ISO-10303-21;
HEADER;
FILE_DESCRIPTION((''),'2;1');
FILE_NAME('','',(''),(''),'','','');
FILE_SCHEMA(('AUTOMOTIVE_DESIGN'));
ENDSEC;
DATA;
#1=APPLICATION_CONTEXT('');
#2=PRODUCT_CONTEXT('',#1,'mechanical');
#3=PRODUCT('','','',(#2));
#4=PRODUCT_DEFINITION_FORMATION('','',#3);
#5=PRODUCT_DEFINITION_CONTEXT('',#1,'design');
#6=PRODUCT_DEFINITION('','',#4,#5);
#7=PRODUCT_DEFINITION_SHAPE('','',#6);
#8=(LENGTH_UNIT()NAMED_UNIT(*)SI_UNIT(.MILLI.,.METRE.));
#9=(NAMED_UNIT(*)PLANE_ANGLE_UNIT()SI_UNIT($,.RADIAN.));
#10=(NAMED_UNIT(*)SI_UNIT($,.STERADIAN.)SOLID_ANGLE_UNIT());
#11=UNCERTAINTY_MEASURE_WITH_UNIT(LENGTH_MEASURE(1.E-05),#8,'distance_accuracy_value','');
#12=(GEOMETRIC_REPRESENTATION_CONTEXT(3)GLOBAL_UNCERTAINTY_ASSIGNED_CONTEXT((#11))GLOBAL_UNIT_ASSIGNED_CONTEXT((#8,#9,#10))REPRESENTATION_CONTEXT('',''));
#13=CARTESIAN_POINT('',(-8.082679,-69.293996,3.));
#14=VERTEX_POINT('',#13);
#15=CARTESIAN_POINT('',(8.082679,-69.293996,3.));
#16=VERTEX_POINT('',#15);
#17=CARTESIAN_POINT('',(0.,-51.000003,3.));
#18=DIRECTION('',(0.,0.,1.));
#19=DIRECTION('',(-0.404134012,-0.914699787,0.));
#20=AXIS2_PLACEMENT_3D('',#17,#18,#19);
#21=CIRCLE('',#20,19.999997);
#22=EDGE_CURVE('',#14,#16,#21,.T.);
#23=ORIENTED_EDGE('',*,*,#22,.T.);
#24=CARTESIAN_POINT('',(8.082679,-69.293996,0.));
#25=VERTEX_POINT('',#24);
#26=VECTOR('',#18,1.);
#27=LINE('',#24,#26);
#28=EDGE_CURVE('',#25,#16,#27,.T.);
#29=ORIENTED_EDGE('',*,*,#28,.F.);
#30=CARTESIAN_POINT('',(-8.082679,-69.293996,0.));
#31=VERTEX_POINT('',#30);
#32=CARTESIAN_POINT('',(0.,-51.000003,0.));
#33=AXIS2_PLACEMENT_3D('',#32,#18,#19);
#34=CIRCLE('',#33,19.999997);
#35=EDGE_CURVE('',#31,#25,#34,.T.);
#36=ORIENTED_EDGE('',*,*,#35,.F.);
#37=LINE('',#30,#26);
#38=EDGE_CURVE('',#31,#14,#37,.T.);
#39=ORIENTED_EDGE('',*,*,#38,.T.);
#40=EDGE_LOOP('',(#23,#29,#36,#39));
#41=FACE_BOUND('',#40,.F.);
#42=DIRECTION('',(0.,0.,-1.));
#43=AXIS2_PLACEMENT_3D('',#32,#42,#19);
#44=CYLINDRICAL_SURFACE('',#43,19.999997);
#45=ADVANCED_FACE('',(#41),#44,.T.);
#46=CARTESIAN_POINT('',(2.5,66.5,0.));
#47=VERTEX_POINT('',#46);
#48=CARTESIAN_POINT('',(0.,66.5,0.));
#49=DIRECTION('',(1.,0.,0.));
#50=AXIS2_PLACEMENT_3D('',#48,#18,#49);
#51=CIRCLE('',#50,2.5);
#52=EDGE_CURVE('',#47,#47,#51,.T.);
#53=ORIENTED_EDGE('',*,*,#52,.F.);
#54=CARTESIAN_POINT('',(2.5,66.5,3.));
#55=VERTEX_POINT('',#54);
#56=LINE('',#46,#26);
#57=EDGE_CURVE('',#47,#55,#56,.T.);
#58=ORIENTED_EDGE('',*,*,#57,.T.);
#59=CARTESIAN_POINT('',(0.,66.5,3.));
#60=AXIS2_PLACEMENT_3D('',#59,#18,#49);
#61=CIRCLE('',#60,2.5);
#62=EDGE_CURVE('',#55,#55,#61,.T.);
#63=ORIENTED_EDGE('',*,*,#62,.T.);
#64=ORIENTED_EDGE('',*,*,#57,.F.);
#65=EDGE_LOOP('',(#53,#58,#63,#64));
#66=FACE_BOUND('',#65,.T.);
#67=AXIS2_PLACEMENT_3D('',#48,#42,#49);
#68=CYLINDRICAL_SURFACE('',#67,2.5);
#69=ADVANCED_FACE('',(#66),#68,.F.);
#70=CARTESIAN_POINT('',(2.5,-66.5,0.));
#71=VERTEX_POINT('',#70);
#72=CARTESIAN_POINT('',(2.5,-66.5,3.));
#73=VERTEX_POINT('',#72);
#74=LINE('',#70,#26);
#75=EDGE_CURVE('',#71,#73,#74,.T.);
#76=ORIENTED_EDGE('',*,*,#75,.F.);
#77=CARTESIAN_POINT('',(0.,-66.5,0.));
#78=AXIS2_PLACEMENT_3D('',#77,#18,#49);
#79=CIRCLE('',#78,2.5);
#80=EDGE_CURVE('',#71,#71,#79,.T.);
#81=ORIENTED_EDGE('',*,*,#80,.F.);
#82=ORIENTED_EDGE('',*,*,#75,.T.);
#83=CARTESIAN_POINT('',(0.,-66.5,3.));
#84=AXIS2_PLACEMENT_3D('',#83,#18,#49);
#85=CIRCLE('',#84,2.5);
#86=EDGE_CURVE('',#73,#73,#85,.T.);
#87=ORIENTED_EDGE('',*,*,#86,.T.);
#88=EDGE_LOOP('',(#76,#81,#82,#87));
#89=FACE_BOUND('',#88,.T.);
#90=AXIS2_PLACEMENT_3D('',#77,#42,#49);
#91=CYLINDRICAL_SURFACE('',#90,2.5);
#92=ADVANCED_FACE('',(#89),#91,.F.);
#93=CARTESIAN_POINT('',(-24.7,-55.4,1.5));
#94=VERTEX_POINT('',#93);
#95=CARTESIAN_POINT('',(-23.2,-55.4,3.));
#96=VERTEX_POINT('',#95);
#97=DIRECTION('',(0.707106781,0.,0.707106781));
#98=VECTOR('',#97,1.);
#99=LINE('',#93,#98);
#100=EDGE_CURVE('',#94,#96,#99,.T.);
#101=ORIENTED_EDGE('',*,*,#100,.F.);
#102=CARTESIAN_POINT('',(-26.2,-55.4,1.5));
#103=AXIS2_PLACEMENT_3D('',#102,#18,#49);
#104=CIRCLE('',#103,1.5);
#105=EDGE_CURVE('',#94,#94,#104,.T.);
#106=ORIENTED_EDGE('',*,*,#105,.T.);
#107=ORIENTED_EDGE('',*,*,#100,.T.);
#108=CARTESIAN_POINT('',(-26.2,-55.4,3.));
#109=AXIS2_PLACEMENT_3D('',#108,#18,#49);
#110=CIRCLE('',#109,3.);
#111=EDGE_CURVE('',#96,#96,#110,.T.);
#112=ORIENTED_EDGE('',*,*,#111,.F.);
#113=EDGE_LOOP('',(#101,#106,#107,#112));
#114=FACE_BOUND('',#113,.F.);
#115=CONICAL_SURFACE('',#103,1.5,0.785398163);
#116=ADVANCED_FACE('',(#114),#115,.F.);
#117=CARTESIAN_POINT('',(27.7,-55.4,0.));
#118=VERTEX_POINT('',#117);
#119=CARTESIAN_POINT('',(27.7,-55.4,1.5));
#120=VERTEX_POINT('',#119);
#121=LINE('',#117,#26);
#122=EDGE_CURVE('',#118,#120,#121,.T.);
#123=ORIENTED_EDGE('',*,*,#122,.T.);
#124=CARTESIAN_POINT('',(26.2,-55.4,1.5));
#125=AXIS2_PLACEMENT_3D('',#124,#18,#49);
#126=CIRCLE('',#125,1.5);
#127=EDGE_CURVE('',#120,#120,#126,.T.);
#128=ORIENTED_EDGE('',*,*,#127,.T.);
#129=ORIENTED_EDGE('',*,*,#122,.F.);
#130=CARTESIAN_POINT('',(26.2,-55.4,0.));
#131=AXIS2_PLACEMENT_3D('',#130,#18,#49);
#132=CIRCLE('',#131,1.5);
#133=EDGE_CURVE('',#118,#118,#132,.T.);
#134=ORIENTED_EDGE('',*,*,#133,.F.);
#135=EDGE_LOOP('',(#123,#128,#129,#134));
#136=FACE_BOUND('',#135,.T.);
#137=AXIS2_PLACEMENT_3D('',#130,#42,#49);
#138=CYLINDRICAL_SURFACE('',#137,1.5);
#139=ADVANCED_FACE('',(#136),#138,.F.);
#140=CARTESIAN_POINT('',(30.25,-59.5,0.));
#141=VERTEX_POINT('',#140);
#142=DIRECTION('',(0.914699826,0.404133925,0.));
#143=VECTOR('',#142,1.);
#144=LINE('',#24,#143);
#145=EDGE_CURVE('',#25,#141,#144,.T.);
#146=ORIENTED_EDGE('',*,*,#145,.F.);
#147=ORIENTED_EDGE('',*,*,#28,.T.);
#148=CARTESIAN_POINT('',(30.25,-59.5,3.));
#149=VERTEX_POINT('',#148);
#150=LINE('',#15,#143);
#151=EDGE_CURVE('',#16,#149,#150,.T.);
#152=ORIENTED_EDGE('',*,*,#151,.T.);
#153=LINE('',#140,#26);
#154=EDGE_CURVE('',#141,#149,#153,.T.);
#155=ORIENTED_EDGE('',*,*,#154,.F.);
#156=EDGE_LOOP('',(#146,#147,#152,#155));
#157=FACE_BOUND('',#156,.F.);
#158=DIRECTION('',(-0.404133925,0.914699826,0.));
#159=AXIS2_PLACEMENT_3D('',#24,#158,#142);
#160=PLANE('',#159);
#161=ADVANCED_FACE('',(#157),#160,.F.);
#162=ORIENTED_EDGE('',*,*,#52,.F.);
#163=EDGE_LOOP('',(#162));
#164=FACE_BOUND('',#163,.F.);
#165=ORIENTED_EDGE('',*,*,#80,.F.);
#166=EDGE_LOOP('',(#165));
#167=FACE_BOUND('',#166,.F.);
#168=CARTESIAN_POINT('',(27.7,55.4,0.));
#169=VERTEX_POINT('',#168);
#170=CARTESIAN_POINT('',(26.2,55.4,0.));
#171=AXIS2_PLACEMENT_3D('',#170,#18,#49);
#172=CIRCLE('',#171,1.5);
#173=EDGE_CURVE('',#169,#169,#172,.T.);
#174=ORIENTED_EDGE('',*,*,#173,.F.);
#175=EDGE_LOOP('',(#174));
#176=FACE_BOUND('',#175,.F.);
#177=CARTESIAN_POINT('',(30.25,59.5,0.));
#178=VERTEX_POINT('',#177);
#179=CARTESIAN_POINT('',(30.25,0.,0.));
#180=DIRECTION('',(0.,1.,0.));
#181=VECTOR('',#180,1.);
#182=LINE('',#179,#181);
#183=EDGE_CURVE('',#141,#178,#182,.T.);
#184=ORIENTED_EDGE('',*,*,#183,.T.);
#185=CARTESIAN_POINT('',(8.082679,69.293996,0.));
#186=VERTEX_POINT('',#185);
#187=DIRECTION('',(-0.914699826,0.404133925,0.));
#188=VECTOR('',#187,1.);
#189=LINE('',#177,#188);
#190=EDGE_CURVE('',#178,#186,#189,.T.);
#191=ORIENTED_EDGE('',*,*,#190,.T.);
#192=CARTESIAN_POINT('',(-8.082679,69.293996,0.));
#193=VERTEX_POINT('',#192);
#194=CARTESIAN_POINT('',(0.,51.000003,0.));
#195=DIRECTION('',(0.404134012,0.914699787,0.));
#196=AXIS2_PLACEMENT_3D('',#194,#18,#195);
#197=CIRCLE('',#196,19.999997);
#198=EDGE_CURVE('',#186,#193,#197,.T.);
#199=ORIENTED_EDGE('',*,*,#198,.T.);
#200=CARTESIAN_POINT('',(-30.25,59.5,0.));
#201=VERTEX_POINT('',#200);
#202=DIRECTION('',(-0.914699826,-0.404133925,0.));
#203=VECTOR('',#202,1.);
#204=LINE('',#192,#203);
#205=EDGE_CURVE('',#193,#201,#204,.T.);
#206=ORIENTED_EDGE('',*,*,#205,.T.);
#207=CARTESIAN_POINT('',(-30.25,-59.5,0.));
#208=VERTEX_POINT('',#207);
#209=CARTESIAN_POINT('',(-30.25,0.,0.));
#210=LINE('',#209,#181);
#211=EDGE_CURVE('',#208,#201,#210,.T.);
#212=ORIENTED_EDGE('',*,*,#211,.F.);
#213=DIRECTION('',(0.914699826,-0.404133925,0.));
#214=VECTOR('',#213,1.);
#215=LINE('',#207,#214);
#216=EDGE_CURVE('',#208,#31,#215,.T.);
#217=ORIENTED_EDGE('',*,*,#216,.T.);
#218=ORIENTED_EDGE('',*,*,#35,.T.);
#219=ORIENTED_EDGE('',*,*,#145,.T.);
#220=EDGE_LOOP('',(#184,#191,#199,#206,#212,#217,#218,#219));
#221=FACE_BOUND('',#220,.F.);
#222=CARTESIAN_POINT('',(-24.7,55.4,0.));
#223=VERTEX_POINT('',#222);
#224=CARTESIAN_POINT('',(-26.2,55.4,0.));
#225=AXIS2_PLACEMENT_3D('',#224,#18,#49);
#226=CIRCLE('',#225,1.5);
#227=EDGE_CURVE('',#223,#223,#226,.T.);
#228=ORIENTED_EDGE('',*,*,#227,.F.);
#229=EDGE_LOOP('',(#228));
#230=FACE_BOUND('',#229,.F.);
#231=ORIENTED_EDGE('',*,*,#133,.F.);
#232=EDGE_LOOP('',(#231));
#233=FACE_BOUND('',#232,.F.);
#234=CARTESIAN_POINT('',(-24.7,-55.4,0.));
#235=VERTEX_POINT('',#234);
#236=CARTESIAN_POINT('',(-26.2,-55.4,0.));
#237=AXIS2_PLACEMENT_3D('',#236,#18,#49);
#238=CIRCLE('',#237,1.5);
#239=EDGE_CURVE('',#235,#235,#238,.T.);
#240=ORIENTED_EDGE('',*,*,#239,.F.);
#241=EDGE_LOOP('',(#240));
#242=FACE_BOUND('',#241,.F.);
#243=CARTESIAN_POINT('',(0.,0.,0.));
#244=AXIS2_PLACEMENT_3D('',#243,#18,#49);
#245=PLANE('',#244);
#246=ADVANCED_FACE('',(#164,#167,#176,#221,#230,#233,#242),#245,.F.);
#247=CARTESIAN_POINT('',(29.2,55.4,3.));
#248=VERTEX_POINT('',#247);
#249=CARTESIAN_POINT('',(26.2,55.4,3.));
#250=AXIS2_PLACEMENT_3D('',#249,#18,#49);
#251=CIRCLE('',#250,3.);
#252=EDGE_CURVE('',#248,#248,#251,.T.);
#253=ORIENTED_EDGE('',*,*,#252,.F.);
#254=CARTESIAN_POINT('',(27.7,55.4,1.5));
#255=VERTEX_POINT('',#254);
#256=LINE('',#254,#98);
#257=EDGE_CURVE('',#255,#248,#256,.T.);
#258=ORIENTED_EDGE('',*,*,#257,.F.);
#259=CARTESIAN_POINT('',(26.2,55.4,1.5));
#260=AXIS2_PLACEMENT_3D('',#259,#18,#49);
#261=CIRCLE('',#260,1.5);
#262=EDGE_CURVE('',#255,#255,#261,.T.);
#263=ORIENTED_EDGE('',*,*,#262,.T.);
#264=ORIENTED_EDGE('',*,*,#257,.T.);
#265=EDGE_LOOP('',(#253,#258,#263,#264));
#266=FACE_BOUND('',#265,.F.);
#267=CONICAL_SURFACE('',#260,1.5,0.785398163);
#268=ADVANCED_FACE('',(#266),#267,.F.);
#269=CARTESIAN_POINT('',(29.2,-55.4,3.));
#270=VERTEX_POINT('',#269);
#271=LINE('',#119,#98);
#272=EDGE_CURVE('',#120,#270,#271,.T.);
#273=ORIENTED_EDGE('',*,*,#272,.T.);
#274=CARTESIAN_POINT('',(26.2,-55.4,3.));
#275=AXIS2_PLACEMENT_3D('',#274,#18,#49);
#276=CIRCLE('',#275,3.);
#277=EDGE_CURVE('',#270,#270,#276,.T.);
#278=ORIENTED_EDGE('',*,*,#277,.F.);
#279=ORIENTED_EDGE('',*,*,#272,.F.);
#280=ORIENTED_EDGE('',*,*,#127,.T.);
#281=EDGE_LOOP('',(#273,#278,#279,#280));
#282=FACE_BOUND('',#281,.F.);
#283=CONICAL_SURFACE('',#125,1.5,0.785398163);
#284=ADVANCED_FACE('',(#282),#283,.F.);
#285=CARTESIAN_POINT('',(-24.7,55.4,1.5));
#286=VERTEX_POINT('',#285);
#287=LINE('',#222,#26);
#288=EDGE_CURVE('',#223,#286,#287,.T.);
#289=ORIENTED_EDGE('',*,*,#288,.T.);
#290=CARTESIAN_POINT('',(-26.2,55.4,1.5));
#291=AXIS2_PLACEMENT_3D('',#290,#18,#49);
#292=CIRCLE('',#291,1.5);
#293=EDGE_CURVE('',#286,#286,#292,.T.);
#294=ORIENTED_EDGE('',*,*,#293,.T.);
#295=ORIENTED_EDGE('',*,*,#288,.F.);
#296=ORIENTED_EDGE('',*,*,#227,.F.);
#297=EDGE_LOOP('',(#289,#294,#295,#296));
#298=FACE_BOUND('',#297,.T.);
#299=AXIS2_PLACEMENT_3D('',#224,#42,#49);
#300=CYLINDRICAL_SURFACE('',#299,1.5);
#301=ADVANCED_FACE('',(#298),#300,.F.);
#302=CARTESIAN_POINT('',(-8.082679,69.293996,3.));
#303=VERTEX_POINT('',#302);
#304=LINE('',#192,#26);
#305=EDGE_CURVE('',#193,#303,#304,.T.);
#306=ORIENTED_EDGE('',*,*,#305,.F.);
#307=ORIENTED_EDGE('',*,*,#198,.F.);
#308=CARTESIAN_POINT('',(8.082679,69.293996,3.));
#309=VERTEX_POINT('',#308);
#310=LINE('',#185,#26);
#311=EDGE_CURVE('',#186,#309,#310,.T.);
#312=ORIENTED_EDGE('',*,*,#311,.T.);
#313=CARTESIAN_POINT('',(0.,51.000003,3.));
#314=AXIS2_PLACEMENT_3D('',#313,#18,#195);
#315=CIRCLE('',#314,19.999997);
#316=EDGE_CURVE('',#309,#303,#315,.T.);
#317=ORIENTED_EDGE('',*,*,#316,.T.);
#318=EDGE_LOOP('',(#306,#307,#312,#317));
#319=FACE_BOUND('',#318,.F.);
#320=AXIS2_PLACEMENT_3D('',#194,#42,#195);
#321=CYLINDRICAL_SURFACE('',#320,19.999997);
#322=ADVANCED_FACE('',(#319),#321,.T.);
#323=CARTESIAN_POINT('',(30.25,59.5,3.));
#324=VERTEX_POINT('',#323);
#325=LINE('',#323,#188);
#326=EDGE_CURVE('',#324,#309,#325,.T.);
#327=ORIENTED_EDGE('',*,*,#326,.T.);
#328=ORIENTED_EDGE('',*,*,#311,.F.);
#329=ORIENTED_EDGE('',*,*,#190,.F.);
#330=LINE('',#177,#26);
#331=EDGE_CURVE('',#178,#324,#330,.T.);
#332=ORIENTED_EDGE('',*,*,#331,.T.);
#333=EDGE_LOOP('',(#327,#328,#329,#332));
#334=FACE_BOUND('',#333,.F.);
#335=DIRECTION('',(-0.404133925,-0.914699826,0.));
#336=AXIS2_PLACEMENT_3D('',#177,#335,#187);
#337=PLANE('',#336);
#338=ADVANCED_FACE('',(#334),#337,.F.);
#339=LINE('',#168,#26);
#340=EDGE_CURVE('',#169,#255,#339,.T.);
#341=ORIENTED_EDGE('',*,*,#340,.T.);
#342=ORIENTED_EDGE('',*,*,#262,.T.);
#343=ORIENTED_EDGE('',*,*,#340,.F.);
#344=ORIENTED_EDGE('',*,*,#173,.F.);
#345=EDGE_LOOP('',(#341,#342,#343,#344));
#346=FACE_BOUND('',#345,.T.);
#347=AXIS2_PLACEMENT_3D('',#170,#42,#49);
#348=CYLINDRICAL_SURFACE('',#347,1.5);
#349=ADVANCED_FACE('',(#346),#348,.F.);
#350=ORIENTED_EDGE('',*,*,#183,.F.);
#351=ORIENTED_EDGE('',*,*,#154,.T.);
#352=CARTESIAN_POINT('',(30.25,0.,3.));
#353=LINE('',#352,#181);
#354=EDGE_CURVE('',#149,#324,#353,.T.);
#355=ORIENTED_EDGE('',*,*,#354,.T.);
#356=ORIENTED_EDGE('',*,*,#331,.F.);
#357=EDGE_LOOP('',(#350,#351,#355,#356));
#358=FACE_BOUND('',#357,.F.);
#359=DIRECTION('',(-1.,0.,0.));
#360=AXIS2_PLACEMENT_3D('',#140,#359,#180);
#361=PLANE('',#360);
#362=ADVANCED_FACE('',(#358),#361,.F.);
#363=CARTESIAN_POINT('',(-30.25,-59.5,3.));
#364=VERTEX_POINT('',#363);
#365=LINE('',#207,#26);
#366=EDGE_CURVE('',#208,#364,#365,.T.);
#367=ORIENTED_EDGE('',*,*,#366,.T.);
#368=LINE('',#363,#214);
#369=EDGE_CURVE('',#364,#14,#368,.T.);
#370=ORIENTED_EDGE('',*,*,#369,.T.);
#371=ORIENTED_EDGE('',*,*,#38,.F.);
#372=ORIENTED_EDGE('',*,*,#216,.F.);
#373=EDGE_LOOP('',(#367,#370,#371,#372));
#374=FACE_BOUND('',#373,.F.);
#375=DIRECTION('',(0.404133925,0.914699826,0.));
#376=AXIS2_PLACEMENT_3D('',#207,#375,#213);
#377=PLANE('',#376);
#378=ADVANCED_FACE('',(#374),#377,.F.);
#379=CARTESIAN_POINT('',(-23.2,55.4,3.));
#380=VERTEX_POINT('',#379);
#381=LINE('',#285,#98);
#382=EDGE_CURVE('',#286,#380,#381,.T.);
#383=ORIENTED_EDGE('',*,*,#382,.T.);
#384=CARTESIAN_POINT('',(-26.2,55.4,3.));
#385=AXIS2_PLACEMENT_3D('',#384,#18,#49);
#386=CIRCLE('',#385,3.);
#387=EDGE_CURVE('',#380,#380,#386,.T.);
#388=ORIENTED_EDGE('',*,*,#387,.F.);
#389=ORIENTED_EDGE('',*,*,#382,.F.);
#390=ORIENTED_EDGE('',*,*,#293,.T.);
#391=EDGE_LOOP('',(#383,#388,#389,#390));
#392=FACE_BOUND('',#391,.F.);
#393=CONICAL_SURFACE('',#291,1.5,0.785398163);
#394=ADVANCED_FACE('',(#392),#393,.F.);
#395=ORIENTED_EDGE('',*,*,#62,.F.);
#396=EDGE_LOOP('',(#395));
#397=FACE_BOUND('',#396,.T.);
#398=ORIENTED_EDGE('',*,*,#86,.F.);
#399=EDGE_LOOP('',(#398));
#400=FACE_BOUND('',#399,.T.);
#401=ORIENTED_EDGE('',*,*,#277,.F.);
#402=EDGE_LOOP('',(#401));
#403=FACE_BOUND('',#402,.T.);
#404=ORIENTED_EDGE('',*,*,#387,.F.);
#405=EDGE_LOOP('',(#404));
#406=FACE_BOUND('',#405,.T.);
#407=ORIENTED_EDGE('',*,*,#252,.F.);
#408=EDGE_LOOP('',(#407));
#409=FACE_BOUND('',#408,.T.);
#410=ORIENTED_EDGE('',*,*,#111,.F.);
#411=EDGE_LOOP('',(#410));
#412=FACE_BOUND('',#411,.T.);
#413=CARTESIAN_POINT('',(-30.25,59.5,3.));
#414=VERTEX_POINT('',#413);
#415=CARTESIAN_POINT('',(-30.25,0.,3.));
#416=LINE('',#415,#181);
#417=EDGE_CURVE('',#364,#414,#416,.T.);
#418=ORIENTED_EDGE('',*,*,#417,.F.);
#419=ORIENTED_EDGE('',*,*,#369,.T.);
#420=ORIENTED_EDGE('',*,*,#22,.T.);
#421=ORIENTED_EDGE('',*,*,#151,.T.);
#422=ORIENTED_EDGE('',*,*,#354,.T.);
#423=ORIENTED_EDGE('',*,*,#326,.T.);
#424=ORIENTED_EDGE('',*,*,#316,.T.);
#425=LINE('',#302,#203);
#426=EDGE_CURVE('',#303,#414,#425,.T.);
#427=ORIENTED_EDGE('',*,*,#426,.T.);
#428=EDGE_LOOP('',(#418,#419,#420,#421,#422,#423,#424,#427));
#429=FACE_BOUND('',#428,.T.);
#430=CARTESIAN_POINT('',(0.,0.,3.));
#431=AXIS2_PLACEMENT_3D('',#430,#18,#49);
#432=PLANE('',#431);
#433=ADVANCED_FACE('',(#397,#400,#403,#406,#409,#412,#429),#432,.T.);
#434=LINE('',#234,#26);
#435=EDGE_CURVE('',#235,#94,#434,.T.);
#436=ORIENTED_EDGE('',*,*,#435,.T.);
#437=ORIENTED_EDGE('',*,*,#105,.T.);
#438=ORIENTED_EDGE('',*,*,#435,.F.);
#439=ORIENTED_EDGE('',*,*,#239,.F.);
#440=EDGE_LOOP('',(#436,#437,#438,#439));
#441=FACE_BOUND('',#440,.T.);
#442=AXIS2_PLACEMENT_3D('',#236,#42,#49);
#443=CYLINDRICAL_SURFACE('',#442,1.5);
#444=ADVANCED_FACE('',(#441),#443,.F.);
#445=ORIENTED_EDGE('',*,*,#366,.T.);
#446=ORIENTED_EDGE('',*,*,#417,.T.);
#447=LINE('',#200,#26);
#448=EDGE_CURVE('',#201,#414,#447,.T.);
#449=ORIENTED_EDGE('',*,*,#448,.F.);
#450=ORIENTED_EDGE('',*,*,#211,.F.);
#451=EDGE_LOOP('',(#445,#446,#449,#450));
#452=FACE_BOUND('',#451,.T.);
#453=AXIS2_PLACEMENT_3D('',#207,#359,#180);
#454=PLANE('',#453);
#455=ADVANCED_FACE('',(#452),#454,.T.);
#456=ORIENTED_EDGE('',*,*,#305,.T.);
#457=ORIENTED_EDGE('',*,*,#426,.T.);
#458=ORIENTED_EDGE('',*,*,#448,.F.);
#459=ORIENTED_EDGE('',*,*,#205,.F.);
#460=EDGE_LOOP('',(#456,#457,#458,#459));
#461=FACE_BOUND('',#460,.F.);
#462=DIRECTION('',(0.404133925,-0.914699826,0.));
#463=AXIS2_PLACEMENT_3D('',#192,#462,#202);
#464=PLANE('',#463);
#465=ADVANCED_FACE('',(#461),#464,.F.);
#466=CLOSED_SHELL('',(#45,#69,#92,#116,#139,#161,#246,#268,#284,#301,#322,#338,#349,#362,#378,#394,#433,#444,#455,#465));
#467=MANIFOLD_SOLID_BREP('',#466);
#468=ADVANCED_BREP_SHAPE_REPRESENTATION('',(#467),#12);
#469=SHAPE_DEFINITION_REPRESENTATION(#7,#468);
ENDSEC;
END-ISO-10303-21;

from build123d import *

# Parameters (mm, degrees)
F0_W     = 60.5
F0_H     = 119
F0_R     = 3
F0_R_2   = 2.5
F0_R_3   = 1.5
F1_DEPTH = 3
F2_SIZE  = 1.5


with BuildPart() as f1:
    # F0 (on Top) → F1 (new body)
    with BuildSketch(Plane.XY):
        Rectangle(F0_W, F0_H)
        with Locations((-26.2, -55.4)):
            Circle(F0_R, mode=Mode.SUBTRACT)
        with Locations((26.2, -55.4)):
            Circle(F0_R, mode=Mode.SUBTRACT)
        with Locations((-26.2, 55.4)):
            Circle(F0_R, mode=Mode.SUBTRACT)
        with Locations((26.2, 55.4)):
            Circle(F0_R, mode=Mode.SUBTRACT)
        with BuildLine():
            Line((-8.082679, 69.293996), (-30.25, 59.5))
            Line((-30.25, 59.5), (30.25, 59.5))
            Line((30.25, 59.5), (8.082679, 69.293996))
            ThreePointArc((8.082679, 69.293996), (0, 71), (-8.082679, 69.293996))
        make_face()
        with Locations((0, 66.5)):
            Circle(F0_R_2, mode=Mode.SUBTRACT)
        with BuildLine():
            Line((30.25, -59.5), (-30.25, -59.5))
            Line((-30.25, -59.5), (-8.082679, -69.293996))
            ThreePointArc((-8.082679, -69.293996), (0, -71), (8.082679, -69.293996))
            Line((8.082679, -69.293996), (30.25, -59.5))
        make_face()
        with Locations((0, -66.5)):
            Circle(F0_R_2, mode=Mode.SUBTRACT)
        with Locations((-26.2, 55.4)):
            Circle(F0_R)
        with Locations((-26.2, 55.4)):
            Circle(F0_R_3, mode=Mode.SUBTRACT)
        with Locations((26.2, 55.4)):
            Circle(F0_R)
        with Locations((26.2, 55.4)):
            Circle(F0_R_3, mode=Mode.SUBTRACT)
        with Locations((-26.2, -55.4)):
            Circle(F0_R)
        with Locations((-26.2, -55.4)):
            Circle(F0_R_3, mode=Mode.SUBTRACT)
        with Locations((26.2, -55.4)):
            Circle(F0_R)
        with Locations((26.2, -55.4)):
            Circle(F0_R_3, mode=Mode.SUBTRACT)
    extrude(amount=F1_DEPTH)

    # F2
    f2_edges = [f1.edges().sort_by_distance(p)[0] for p in [
        (-27.7, 55.4, 3),
        (24.7, 55.4, 3),
        (24.7, -55.4, 3),
        (-27.7, -55.4, 3),
    ]]
    chamfer(f2_edges, length=F2_SIZE)


solid = f1.part
